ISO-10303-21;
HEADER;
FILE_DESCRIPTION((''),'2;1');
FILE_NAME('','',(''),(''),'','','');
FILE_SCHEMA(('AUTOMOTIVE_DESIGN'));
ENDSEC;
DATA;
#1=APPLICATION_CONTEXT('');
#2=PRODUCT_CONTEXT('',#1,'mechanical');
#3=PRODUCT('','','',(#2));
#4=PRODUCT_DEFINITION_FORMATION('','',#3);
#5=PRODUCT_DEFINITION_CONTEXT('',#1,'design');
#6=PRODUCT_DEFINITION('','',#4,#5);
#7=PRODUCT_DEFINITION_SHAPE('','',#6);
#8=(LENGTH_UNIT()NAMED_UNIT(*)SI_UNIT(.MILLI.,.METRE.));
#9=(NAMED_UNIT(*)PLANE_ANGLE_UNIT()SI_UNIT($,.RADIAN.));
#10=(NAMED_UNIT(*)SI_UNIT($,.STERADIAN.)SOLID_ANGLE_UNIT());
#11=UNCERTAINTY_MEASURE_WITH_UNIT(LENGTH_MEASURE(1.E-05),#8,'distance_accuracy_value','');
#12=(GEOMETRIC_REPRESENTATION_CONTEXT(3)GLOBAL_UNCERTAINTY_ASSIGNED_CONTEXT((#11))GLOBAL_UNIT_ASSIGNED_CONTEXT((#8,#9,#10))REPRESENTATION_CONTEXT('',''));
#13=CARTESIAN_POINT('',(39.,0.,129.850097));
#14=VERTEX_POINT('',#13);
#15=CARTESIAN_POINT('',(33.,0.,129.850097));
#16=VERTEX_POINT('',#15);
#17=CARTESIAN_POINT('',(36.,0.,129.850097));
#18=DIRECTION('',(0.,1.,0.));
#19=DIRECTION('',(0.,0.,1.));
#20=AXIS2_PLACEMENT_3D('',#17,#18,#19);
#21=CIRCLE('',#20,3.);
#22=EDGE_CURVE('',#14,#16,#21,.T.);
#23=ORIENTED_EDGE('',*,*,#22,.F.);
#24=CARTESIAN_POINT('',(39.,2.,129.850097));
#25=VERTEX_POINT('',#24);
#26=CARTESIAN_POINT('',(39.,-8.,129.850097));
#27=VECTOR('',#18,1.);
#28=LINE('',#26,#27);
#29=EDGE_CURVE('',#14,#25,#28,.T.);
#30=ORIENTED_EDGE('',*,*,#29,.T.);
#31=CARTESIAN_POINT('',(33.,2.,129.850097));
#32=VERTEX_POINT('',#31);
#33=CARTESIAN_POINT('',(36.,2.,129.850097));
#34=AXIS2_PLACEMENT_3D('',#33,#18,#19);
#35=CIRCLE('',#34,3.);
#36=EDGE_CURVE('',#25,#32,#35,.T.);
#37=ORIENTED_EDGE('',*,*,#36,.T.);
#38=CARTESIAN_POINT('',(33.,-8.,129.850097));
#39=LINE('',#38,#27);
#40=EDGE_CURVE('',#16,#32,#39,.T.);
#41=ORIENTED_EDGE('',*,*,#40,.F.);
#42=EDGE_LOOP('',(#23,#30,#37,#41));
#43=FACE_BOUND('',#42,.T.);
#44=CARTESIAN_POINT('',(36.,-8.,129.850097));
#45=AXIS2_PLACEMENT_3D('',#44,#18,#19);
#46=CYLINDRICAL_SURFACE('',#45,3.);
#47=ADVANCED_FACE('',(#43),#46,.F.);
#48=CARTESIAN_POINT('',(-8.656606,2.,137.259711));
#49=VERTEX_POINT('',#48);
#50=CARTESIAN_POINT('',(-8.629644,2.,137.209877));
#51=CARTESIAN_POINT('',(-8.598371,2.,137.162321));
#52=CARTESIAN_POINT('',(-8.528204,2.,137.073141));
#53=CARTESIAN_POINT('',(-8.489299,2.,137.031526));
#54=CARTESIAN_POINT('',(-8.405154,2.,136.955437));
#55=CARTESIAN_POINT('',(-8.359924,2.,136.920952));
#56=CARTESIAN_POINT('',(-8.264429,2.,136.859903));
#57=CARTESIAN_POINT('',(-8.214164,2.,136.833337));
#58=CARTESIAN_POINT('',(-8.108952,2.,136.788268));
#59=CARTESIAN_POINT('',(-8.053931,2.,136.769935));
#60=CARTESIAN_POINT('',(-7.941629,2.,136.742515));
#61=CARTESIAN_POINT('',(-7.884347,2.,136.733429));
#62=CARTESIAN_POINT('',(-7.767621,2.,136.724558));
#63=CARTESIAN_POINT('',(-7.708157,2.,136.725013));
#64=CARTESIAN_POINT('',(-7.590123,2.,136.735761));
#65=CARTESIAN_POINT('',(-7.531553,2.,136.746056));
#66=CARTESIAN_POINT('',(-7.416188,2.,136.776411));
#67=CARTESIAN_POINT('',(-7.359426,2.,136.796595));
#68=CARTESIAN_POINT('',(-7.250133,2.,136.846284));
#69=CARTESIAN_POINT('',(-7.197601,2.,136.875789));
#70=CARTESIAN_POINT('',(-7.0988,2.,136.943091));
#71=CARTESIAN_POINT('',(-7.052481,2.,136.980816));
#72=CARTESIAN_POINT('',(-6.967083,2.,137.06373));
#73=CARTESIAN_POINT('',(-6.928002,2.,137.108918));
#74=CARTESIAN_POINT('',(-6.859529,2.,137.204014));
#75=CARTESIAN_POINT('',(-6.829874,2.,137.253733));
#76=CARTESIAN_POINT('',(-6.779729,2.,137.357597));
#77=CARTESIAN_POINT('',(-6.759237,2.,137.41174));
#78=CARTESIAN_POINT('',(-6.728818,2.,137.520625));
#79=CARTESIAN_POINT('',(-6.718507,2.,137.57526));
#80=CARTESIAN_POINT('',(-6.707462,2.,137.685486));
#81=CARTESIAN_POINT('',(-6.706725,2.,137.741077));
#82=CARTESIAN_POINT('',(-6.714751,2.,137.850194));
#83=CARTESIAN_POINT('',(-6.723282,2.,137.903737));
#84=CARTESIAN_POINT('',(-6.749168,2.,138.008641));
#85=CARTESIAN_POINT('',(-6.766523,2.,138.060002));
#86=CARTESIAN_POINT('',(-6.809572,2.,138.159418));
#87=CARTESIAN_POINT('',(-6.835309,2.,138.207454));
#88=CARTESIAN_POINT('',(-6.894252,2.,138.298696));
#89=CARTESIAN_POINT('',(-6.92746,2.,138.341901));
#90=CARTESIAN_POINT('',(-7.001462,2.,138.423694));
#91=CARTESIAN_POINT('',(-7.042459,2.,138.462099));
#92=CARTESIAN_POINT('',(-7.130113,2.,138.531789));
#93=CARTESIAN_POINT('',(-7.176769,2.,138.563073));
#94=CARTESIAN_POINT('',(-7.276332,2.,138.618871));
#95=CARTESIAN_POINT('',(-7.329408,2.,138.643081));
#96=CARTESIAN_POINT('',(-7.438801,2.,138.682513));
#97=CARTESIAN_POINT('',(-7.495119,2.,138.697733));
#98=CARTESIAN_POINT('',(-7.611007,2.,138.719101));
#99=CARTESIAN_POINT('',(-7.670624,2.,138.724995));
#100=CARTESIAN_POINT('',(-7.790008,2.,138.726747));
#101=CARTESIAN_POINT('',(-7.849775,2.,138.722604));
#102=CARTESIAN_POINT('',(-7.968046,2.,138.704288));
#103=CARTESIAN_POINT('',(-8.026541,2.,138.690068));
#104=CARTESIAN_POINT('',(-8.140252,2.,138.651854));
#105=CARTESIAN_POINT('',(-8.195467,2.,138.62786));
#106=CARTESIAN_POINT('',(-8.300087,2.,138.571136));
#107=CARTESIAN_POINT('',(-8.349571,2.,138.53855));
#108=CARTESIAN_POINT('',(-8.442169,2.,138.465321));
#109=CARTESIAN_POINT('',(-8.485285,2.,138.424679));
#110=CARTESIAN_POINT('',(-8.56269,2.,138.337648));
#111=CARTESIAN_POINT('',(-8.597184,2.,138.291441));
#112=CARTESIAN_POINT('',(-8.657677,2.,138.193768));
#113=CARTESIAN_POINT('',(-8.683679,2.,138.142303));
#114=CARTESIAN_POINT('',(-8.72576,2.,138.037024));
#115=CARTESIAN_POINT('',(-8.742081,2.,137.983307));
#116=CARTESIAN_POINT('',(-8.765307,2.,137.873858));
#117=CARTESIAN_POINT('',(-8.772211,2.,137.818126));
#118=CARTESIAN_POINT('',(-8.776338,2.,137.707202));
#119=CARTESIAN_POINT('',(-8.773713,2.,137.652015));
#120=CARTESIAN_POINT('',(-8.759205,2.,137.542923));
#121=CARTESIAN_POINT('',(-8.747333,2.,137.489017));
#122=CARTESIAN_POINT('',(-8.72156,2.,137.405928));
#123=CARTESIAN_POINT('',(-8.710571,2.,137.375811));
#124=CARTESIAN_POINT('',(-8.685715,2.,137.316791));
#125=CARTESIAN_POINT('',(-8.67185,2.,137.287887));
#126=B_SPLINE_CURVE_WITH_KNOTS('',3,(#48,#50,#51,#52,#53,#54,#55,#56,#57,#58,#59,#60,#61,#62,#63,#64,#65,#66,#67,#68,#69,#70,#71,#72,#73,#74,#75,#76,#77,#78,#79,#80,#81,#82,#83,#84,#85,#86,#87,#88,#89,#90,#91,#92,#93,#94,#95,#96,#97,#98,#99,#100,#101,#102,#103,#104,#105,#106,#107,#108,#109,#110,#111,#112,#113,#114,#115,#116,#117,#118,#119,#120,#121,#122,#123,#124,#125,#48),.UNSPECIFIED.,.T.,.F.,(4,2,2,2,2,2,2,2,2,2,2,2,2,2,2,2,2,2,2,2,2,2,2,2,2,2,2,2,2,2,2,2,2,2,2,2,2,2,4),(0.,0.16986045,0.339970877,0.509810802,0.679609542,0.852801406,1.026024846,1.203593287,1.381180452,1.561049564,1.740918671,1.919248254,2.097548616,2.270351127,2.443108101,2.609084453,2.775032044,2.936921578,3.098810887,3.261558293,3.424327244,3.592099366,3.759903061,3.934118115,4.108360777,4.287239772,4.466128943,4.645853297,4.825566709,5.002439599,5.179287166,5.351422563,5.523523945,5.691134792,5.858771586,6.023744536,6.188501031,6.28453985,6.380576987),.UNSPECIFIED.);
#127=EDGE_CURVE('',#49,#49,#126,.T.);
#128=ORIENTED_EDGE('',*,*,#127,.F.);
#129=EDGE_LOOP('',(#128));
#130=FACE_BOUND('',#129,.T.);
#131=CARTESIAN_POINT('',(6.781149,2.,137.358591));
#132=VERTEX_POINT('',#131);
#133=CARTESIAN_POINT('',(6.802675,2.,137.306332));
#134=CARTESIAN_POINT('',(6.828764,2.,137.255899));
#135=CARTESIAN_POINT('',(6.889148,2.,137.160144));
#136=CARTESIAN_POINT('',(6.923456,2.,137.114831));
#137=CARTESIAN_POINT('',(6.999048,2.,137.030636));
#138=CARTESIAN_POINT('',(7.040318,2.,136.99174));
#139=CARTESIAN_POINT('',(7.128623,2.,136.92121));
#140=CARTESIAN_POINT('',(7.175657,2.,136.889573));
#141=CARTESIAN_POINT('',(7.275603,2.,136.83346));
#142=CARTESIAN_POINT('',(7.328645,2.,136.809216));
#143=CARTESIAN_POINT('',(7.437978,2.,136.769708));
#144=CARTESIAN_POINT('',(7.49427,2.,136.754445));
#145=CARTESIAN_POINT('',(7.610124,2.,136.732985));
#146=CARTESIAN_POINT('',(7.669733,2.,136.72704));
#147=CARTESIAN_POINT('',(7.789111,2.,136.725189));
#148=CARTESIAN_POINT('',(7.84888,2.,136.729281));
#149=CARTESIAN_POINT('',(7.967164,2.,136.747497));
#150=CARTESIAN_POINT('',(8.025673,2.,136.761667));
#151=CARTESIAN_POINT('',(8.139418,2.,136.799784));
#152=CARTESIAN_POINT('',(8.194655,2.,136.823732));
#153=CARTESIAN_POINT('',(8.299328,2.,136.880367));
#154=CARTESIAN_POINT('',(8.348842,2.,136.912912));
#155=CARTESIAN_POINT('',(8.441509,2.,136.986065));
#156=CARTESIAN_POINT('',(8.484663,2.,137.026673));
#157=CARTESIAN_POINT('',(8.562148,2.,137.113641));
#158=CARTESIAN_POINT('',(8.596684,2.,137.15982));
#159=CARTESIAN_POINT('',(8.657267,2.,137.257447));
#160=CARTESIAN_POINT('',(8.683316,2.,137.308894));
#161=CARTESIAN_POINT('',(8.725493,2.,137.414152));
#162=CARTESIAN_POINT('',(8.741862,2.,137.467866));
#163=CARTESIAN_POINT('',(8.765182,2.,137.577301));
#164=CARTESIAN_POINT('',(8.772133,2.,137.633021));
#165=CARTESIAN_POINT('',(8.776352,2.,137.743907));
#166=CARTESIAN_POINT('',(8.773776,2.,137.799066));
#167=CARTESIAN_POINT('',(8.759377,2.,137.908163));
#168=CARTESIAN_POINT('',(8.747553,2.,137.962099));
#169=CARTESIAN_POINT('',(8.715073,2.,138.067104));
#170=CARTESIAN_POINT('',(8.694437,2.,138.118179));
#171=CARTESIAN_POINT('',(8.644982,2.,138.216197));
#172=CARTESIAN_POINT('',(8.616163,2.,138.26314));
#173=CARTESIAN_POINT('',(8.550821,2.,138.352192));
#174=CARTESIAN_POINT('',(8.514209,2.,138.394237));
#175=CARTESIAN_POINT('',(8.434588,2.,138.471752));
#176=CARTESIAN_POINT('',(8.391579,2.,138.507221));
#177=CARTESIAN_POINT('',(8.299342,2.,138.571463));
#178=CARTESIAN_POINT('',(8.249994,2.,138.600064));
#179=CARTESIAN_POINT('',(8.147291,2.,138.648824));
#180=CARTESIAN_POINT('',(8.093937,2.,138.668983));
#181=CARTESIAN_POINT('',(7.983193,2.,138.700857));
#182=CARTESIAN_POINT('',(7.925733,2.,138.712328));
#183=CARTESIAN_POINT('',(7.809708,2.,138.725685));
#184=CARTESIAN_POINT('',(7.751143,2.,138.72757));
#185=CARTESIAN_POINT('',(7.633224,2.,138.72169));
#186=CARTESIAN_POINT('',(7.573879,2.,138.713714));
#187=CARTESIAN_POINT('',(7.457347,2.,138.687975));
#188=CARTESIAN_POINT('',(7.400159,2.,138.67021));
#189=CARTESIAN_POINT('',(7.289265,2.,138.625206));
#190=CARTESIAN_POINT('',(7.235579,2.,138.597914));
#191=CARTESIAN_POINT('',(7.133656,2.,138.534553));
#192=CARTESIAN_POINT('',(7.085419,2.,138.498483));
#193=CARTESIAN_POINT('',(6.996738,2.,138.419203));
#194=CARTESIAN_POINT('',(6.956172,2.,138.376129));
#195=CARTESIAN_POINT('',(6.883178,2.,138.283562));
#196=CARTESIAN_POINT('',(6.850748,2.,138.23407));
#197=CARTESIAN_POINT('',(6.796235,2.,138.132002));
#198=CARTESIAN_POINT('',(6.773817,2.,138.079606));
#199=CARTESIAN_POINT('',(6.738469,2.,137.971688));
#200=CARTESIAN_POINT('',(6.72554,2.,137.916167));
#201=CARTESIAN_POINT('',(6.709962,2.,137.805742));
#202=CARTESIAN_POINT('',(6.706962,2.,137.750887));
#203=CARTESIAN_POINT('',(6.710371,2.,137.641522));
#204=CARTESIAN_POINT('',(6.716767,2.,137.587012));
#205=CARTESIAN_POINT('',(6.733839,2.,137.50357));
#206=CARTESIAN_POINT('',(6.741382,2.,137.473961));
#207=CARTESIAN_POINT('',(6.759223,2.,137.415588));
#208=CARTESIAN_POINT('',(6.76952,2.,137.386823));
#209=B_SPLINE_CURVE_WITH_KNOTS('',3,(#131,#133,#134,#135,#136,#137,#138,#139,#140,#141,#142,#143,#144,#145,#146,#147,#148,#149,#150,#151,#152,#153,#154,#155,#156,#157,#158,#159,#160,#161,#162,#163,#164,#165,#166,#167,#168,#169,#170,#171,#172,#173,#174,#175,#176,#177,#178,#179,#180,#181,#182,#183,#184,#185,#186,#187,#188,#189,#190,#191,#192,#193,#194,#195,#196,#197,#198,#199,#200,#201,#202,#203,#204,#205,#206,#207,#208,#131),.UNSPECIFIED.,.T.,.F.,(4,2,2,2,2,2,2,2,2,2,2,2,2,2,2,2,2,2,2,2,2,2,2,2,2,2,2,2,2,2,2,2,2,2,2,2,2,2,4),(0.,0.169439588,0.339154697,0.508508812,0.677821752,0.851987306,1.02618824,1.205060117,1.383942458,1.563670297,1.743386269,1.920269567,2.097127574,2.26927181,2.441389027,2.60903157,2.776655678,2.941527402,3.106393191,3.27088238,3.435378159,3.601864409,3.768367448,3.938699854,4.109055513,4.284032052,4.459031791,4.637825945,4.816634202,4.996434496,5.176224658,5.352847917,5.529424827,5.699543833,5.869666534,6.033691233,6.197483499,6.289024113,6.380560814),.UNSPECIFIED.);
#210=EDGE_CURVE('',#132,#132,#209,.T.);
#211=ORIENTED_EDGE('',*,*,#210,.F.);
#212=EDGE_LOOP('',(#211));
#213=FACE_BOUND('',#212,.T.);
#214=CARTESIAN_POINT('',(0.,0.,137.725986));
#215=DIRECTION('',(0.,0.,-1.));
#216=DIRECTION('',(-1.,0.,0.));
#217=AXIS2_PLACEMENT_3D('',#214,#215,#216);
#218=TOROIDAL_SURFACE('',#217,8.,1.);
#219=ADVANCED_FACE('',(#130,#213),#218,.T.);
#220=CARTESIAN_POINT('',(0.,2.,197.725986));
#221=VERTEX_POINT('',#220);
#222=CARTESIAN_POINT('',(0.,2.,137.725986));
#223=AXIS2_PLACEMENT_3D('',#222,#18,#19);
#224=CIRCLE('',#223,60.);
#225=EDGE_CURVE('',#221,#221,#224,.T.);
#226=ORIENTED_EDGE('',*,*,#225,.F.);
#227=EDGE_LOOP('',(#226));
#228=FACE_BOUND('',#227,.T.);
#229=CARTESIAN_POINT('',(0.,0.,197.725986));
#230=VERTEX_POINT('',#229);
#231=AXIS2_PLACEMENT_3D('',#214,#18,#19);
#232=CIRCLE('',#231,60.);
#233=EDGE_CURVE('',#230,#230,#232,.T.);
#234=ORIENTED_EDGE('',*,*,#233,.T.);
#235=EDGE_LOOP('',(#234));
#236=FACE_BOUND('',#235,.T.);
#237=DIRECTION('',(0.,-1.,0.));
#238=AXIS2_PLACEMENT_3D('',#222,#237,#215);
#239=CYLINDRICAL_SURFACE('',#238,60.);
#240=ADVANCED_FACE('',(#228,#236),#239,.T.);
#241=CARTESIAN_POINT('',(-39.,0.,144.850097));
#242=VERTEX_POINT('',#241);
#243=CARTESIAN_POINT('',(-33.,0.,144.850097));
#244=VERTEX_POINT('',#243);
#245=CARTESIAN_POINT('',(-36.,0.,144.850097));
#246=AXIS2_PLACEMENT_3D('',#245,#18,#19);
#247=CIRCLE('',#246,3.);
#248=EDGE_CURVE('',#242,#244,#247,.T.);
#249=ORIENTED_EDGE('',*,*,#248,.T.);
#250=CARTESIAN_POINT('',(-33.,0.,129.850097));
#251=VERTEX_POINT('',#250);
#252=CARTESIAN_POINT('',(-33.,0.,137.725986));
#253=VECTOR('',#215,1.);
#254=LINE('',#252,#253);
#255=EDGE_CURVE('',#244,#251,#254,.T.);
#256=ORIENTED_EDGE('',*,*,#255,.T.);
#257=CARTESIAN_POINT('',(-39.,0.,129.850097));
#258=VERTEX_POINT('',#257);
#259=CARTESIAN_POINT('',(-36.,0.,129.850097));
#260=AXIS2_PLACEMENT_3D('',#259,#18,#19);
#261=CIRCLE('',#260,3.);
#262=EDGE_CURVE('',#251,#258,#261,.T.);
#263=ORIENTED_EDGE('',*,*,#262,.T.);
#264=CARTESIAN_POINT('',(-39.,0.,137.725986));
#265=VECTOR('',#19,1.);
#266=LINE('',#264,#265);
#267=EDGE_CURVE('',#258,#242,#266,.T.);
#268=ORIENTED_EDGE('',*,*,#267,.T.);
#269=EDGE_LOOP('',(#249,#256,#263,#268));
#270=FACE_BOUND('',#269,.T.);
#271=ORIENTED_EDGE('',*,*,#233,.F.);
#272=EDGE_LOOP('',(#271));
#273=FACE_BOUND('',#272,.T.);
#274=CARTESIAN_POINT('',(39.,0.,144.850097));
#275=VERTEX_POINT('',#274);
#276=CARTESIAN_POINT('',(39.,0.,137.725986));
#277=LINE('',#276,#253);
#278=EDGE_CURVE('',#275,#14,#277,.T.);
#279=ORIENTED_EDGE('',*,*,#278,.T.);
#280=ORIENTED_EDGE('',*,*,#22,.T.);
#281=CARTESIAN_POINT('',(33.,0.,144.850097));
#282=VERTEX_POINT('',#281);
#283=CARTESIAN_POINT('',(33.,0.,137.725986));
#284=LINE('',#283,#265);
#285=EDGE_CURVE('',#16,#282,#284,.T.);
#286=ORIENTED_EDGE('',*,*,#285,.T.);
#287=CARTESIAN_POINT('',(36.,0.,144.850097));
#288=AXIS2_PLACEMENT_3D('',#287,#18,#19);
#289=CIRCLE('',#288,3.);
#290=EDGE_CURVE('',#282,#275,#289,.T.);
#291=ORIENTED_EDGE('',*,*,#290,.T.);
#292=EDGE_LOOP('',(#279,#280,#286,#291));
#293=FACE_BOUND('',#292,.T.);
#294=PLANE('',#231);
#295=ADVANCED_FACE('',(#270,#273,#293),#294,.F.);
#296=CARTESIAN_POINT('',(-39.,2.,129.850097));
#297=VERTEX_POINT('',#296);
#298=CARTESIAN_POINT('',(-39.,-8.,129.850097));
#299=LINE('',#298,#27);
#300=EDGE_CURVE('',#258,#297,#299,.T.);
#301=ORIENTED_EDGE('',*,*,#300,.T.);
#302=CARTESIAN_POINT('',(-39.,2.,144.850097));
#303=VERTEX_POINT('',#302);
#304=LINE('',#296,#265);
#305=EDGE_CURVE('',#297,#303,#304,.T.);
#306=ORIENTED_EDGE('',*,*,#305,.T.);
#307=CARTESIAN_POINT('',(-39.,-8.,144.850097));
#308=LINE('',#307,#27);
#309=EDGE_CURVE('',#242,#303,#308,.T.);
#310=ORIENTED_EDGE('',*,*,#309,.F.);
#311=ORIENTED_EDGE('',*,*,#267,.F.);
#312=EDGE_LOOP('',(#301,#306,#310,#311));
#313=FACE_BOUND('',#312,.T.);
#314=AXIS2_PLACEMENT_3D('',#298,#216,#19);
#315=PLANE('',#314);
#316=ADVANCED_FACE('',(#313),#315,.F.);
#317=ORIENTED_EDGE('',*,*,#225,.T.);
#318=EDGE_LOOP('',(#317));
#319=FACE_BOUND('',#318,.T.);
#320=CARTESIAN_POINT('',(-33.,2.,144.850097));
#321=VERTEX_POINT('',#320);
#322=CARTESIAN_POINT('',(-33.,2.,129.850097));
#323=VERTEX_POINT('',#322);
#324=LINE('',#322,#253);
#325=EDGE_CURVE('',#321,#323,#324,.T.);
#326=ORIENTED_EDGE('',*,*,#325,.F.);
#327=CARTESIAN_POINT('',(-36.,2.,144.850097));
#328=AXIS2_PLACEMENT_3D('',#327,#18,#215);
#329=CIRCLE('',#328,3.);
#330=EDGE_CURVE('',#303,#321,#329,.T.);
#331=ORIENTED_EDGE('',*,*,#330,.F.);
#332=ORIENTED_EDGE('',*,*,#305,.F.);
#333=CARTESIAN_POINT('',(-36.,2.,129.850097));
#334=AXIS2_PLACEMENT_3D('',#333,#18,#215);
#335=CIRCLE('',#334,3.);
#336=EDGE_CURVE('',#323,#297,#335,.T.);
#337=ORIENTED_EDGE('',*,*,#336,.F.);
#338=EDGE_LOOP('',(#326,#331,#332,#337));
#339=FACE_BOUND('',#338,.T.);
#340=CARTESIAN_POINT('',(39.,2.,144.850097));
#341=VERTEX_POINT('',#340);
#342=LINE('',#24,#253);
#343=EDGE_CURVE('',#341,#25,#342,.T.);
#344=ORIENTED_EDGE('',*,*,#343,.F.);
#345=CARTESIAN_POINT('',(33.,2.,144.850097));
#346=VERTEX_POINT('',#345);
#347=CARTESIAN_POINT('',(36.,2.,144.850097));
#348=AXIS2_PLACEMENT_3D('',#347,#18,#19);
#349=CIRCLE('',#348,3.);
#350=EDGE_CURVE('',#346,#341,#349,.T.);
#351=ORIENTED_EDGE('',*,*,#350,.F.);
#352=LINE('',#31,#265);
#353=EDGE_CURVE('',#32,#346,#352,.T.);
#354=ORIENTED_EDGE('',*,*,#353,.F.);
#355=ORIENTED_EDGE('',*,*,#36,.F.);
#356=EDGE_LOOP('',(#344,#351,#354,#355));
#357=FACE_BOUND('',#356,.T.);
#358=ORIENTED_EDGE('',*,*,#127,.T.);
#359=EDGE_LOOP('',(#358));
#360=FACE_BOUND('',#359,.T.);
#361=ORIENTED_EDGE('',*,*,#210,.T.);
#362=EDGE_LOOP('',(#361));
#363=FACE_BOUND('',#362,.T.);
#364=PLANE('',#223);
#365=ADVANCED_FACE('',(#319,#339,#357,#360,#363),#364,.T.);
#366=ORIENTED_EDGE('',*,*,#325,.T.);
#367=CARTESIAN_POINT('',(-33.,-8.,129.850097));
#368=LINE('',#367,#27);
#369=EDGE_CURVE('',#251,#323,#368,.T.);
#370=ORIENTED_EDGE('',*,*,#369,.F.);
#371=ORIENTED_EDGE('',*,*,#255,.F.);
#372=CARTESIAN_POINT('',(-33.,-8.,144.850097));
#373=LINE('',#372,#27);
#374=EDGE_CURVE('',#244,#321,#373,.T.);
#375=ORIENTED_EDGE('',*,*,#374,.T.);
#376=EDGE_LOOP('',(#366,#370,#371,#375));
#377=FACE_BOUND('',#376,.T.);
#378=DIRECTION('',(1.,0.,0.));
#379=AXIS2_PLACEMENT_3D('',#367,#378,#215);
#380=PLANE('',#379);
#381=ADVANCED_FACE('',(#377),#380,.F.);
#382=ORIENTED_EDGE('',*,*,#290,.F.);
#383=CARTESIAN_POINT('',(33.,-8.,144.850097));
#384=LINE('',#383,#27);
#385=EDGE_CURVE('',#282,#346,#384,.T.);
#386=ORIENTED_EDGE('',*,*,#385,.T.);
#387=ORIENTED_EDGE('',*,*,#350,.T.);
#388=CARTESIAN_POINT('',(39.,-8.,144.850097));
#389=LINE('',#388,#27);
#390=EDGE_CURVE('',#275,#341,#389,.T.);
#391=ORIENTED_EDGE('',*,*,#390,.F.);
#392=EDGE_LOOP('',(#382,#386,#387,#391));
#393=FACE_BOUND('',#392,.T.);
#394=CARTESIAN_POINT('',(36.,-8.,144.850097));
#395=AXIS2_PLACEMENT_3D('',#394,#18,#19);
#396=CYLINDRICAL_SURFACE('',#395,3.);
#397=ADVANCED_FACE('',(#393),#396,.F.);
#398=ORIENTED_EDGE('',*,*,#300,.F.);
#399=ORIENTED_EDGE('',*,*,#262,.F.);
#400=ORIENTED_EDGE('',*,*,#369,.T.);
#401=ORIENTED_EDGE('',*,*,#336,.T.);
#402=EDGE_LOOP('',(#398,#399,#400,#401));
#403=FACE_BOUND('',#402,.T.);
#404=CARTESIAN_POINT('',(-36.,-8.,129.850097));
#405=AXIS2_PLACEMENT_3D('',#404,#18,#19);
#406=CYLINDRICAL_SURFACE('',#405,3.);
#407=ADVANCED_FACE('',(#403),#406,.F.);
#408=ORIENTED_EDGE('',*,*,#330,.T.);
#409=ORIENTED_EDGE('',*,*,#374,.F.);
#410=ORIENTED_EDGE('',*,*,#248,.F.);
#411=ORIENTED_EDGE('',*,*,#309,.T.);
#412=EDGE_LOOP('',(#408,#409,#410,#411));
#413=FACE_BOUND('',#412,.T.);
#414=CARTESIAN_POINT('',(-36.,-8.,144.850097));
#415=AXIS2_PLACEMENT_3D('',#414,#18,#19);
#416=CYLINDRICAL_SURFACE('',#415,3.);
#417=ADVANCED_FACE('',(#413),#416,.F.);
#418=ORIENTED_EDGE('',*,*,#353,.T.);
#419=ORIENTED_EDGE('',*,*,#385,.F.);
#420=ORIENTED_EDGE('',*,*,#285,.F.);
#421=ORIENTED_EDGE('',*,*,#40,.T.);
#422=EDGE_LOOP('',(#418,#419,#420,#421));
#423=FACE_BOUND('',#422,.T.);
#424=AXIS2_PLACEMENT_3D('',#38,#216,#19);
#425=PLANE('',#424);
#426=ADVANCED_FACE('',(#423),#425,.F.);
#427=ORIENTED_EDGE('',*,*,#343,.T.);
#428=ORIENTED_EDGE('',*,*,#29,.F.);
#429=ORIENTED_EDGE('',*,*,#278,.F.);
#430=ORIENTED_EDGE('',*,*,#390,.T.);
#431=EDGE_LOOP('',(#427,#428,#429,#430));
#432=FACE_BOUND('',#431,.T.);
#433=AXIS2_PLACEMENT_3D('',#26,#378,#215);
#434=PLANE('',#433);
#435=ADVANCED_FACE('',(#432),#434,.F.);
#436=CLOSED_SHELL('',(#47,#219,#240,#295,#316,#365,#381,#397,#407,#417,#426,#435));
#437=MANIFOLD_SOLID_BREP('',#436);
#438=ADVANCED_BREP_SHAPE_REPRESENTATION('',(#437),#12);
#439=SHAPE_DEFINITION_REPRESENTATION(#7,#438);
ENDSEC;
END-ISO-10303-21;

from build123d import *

# Parameters (mm, degrees)
SKETCH1_R           = 60
BOSS_EXTRUDE1_DEPTH = 2
SKETCH3_R           = 1
REVOLVE1_ANGLE      = 180
CUT_EXTRUDE1_DEPTH  = 10


with BuildPart() as part:
    # Sketch1 → Boss-Extrude1 (new body)
    with BuildSketch(Plane(origin=(0, 0, 0), x_dir=(1, 0, 0), z_dir=(0, 1, 0))):
        with Locations((0, -137.725986214)):
            Circle(SKETCH1_R)
    extrude(amount=BOSS_EXTRUDE1_DEPTH)

    # Sketch3 → Revolve1 (revolve)
    with BuildSketch(Plane(origin=(0, 0, 0), x_dir=(1, 0, 0), z_dir=(0, 1, 0))):
        with Locations((8, -137.725986214)):
            Circle(SKETCH3_R)
    revolve(axis=Axis((0, 0, 77.725986214), (0, 0, 1)), revolution_arc=REVOLVE1_ANGLE)

    # Sketch4 → Cut-Extrude1 (cut)
    with BuildSketch(Plane(origin=(0, 2, 0), x_dir=(1, 0, 0), z_dir=(0, 1, 0))):
        with BuildLine():
            Line((39, -129.850097306), (39, -144.850097306))
            ThreePointArc((39, -144.850097306), (36, -147.850097306), (33, -144.850097306))
            Line((33, -144.850097306), (33, -129.850097306))
            ThreePointArc((33, -129.850097306), (36, -126.850097306), (39, -129.850097306))
        make_face()
        with BuildLine():
            Line((-39, -129.850097306), (-39, -144.850097306))
            ThreePointArc((-39, -144.850097306), (-36, -147.850097306), (-33, -144.850097306))
            Line((-33, -144.850097306), (-33, -129.850097306))
            ThreePointArc((-33, -129.850097306), (-36, -126.850097306), (-39, -129.850097306))
        make_face()
    extrude(amount=-CUT_EXTRUDE1_DEPTH, mode=Mode.SUBTRACT)


solid = part.part
